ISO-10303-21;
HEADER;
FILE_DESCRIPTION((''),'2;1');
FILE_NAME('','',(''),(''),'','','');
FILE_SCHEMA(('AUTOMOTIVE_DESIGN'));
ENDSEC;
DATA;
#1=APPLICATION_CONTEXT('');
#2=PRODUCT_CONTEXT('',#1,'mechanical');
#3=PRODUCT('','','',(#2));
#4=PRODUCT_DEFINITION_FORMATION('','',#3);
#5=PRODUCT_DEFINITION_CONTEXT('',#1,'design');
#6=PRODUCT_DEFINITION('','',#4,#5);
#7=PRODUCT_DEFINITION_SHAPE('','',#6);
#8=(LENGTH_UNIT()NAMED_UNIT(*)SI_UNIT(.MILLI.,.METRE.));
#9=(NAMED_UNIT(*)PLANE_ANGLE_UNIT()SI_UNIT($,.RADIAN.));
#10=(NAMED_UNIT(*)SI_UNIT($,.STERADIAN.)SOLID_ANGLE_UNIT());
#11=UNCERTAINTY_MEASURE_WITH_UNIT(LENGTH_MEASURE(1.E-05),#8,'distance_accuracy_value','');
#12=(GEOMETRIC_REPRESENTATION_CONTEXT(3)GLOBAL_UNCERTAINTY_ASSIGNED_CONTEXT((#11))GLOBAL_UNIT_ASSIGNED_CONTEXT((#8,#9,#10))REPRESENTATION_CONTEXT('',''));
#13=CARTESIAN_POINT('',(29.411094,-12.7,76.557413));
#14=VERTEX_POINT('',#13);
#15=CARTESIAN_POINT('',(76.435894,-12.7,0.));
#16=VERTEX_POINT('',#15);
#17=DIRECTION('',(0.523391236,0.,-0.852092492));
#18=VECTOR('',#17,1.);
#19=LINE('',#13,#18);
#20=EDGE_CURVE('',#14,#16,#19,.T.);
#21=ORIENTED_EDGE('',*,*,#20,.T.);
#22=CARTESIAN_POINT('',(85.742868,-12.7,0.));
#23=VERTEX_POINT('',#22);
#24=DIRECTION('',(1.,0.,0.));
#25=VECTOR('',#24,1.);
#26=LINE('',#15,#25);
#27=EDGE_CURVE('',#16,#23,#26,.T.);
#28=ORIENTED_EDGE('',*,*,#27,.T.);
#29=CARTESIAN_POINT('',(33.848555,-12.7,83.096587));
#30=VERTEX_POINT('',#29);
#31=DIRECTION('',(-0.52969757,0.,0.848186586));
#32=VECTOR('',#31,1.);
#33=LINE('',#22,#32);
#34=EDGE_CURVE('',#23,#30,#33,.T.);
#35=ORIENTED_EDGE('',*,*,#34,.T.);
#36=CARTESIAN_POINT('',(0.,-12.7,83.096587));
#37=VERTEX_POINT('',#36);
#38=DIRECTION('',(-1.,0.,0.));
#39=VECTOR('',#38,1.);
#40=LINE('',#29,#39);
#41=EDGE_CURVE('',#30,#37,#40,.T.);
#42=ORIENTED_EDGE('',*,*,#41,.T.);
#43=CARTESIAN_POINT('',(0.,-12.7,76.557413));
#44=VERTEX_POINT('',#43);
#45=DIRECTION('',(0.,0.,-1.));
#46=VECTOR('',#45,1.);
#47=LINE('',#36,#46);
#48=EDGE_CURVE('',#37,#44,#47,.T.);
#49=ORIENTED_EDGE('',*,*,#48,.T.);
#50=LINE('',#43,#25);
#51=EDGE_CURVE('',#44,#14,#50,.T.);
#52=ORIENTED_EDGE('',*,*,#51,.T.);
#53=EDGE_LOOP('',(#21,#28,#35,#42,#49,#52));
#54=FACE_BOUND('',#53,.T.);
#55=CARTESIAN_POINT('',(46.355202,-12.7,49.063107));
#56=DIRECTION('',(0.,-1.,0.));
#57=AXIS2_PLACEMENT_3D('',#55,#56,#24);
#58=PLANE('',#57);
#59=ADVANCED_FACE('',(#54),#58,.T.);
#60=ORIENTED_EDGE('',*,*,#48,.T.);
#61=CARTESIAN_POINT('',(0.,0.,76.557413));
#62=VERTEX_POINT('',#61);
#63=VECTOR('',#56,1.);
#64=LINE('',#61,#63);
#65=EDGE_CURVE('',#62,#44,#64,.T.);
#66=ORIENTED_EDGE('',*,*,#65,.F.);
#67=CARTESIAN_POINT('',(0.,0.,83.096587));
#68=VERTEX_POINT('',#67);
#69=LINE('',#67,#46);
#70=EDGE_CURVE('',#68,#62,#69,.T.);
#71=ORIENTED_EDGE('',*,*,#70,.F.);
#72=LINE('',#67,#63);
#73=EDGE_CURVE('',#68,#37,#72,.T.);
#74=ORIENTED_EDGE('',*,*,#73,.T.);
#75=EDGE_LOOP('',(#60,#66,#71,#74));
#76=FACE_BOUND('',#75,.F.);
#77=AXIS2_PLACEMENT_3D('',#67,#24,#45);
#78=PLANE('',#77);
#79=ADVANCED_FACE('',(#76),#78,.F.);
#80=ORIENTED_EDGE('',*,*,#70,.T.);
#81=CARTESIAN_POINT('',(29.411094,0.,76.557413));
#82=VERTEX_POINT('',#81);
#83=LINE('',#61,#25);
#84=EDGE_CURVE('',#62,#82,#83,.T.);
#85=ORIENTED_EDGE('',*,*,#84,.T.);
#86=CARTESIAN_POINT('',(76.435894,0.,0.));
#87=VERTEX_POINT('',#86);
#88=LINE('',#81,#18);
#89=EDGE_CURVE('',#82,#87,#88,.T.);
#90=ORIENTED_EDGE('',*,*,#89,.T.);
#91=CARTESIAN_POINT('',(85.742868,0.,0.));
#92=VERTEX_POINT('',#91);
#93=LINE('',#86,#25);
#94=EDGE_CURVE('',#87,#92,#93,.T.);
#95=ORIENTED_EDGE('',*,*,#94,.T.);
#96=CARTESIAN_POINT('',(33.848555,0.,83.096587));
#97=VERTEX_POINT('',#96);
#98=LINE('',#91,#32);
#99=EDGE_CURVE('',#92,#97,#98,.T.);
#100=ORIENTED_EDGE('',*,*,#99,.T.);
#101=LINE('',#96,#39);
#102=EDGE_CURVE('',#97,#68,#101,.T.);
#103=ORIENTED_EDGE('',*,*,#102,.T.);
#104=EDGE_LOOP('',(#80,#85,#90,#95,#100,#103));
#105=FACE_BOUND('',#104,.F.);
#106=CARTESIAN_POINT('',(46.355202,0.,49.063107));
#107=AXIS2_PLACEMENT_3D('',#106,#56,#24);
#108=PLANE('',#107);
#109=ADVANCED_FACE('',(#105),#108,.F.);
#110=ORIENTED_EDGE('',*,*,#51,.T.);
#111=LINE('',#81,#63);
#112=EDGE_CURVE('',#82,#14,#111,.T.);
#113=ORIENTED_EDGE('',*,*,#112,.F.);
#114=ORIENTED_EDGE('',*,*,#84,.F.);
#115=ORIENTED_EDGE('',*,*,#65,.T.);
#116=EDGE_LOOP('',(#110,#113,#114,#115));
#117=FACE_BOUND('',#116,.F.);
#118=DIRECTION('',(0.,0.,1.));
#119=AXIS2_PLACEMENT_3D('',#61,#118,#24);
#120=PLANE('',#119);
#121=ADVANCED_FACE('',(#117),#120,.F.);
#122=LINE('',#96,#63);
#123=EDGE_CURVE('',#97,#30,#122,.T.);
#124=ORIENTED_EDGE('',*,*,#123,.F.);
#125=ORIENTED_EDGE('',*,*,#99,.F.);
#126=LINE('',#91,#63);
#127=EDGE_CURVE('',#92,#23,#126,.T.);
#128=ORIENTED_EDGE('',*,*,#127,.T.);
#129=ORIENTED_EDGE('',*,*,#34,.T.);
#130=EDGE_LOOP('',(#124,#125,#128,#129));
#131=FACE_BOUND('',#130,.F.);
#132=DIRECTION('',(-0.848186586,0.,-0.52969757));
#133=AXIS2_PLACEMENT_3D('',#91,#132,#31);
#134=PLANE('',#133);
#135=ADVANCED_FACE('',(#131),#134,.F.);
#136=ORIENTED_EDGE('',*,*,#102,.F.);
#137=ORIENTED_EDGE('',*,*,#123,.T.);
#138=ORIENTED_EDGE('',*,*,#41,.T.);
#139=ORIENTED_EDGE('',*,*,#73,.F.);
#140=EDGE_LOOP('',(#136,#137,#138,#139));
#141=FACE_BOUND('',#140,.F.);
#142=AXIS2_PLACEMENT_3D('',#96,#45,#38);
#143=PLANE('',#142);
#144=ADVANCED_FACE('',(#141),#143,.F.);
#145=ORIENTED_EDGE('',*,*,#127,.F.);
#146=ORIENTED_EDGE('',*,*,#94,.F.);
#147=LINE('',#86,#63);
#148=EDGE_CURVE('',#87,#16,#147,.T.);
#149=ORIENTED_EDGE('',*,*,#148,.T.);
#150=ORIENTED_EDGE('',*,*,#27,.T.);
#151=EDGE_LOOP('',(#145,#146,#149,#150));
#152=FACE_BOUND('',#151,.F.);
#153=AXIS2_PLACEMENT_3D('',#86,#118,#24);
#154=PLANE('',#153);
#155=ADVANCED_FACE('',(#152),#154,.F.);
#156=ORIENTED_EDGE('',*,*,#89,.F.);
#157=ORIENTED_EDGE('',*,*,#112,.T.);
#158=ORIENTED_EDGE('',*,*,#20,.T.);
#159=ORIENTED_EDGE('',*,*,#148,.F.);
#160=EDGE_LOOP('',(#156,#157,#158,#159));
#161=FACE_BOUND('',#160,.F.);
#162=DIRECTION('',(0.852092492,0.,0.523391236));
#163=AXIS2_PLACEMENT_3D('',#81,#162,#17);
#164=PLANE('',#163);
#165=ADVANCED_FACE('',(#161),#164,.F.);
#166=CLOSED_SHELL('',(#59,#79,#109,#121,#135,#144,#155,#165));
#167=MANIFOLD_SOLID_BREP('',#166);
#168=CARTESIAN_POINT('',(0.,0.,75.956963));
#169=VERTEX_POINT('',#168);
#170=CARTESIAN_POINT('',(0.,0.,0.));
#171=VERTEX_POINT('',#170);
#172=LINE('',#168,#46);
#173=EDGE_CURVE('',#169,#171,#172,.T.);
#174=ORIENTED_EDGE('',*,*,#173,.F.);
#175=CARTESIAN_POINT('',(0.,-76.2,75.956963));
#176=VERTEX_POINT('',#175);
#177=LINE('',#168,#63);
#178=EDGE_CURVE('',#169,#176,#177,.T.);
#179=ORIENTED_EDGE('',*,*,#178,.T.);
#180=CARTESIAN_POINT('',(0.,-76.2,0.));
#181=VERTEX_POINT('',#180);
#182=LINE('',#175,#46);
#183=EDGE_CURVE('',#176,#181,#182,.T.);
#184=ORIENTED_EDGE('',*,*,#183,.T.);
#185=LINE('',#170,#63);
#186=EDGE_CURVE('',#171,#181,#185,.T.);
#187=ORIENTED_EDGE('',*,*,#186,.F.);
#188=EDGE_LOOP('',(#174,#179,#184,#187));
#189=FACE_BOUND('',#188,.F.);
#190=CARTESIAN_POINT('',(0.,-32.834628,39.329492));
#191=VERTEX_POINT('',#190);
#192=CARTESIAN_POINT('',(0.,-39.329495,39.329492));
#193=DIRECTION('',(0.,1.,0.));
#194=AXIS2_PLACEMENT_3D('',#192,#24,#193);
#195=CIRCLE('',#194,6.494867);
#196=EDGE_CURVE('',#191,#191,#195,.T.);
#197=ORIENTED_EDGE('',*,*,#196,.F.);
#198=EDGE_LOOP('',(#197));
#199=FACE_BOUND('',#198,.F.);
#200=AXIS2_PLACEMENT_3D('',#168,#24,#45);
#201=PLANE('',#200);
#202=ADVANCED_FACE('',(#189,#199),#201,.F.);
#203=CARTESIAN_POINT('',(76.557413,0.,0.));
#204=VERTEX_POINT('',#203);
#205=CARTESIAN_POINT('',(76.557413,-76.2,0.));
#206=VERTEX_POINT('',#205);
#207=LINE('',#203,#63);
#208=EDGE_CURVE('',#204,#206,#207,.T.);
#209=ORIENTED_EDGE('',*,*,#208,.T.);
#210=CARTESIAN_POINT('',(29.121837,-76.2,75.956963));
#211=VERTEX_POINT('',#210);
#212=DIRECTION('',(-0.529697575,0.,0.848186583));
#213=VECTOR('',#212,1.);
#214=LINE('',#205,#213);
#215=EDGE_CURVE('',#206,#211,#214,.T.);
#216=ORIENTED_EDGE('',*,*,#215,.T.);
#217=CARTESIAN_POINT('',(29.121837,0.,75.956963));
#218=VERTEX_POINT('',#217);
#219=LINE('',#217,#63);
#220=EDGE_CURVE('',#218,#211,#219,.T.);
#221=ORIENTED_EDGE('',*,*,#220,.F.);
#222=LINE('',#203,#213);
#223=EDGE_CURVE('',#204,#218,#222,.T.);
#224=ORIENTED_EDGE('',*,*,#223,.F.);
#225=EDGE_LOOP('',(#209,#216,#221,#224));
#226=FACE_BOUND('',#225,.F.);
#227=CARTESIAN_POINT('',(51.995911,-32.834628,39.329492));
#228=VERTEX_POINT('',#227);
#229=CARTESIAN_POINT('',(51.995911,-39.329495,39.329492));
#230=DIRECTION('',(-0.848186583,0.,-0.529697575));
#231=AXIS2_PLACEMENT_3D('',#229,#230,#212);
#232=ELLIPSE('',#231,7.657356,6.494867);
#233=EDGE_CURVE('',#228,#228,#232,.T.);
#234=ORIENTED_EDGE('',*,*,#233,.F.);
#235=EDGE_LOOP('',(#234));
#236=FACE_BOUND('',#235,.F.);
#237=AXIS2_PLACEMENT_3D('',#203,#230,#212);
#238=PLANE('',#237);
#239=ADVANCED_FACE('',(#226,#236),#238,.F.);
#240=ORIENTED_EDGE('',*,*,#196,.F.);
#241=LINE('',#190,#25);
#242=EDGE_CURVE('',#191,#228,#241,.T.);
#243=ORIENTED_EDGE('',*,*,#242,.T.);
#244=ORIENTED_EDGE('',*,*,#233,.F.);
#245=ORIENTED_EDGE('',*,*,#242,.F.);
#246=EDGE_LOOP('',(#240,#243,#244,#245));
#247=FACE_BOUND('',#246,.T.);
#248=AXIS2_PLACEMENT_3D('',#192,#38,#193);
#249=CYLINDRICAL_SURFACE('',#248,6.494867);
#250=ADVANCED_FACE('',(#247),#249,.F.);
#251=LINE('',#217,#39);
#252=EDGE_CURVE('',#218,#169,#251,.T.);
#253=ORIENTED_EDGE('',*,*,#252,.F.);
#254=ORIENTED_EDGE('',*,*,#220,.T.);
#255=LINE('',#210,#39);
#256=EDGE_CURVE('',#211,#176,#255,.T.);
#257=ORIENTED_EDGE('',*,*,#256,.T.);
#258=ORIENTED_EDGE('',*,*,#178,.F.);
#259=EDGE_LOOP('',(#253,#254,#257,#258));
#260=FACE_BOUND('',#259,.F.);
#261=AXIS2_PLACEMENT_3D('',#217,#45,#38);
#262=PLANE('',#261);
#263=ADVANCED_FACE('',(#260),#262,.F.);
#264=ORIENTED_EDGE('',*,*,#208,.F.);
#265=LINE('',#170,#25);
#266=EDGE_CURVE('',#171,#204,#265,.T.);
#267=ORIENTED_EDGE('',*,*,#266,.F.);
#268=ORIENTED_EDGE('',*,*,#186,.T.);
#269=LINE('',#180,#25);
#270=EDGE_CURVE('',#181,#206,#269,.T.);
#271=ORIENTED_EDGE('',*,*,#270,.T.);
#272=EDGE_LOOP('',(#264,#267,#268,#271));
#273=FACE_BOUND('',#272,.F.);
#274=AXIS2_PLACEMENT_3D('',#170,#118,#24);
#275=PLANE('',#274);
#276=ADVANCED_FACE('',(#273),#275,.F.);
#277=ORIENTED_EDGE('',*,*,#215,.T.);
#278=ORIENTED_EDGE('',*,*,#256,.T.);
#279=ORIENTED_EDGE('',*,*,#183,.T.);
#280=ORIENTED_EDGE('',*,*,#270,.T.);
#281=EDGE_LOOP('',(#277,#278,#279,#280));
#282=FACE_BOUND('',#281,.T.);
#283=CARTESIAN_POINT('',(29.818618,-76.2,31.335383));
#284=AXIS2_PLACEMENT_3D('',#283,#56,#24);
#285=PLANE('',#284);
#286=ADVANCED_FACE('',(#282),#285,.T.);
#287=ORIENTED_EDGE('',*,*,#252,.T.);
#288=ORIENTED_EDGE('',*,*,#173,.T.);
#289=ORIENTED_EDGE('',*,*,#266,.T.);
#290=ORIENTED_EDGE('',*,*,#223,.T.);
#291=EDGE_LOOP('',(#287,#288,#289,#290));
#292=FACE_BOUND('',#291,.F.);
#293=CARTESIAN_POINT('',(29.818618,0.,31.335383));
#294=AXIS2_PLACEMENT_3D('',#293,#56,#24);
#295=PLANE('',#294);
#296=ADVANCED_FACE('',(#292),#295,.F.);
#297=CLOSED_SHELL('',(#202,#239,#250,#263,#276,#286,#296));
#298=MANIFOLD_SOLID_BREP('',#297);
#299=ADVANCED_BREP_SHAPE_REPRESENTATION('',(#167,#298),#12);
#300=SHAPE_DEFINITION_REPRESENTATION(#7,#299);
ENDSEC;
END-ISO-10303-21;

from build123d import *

# Parameters (mm, degrees)
F1_DEPTH = 76.2
F2_R     = 6.494867
F3_DEPTH = 254
F5_DEPTH = 12.7


with BuildPart() as f1:
    # F0 (on Front) → F1 (new body)
    with BuildSketch(Plane.XZ):
        Polygon((0, 75.956963), (0, 0), (76.557413, 0), (29.121837, 75.956963), align=None)
    extrude(amount=F1_DEPTH)

    # F2 (on Right) → F3 (cut)
    with BuildSketch(Plane.YZ):
        with Locations((-39.329495, 39.329492)):
            Circle(F2_R)
    extrude(amount=F3_DEPTH, mode=Mode.SUBTRACT)


with BuildPart() as f5:
    # F4 (on Front) → F5 (new body)
    with BuildSketch(Plane.XZ):
        Polygon((29.411094, 76.557413), (76.435894, 0), (85.742868, 0), (33.848555, 83.096587), (0, 83.096587), (0, 76.557413), align=None)
    extrude(amount=F5_DEPTH)


solid = Compound([f1.part, f5.part])
